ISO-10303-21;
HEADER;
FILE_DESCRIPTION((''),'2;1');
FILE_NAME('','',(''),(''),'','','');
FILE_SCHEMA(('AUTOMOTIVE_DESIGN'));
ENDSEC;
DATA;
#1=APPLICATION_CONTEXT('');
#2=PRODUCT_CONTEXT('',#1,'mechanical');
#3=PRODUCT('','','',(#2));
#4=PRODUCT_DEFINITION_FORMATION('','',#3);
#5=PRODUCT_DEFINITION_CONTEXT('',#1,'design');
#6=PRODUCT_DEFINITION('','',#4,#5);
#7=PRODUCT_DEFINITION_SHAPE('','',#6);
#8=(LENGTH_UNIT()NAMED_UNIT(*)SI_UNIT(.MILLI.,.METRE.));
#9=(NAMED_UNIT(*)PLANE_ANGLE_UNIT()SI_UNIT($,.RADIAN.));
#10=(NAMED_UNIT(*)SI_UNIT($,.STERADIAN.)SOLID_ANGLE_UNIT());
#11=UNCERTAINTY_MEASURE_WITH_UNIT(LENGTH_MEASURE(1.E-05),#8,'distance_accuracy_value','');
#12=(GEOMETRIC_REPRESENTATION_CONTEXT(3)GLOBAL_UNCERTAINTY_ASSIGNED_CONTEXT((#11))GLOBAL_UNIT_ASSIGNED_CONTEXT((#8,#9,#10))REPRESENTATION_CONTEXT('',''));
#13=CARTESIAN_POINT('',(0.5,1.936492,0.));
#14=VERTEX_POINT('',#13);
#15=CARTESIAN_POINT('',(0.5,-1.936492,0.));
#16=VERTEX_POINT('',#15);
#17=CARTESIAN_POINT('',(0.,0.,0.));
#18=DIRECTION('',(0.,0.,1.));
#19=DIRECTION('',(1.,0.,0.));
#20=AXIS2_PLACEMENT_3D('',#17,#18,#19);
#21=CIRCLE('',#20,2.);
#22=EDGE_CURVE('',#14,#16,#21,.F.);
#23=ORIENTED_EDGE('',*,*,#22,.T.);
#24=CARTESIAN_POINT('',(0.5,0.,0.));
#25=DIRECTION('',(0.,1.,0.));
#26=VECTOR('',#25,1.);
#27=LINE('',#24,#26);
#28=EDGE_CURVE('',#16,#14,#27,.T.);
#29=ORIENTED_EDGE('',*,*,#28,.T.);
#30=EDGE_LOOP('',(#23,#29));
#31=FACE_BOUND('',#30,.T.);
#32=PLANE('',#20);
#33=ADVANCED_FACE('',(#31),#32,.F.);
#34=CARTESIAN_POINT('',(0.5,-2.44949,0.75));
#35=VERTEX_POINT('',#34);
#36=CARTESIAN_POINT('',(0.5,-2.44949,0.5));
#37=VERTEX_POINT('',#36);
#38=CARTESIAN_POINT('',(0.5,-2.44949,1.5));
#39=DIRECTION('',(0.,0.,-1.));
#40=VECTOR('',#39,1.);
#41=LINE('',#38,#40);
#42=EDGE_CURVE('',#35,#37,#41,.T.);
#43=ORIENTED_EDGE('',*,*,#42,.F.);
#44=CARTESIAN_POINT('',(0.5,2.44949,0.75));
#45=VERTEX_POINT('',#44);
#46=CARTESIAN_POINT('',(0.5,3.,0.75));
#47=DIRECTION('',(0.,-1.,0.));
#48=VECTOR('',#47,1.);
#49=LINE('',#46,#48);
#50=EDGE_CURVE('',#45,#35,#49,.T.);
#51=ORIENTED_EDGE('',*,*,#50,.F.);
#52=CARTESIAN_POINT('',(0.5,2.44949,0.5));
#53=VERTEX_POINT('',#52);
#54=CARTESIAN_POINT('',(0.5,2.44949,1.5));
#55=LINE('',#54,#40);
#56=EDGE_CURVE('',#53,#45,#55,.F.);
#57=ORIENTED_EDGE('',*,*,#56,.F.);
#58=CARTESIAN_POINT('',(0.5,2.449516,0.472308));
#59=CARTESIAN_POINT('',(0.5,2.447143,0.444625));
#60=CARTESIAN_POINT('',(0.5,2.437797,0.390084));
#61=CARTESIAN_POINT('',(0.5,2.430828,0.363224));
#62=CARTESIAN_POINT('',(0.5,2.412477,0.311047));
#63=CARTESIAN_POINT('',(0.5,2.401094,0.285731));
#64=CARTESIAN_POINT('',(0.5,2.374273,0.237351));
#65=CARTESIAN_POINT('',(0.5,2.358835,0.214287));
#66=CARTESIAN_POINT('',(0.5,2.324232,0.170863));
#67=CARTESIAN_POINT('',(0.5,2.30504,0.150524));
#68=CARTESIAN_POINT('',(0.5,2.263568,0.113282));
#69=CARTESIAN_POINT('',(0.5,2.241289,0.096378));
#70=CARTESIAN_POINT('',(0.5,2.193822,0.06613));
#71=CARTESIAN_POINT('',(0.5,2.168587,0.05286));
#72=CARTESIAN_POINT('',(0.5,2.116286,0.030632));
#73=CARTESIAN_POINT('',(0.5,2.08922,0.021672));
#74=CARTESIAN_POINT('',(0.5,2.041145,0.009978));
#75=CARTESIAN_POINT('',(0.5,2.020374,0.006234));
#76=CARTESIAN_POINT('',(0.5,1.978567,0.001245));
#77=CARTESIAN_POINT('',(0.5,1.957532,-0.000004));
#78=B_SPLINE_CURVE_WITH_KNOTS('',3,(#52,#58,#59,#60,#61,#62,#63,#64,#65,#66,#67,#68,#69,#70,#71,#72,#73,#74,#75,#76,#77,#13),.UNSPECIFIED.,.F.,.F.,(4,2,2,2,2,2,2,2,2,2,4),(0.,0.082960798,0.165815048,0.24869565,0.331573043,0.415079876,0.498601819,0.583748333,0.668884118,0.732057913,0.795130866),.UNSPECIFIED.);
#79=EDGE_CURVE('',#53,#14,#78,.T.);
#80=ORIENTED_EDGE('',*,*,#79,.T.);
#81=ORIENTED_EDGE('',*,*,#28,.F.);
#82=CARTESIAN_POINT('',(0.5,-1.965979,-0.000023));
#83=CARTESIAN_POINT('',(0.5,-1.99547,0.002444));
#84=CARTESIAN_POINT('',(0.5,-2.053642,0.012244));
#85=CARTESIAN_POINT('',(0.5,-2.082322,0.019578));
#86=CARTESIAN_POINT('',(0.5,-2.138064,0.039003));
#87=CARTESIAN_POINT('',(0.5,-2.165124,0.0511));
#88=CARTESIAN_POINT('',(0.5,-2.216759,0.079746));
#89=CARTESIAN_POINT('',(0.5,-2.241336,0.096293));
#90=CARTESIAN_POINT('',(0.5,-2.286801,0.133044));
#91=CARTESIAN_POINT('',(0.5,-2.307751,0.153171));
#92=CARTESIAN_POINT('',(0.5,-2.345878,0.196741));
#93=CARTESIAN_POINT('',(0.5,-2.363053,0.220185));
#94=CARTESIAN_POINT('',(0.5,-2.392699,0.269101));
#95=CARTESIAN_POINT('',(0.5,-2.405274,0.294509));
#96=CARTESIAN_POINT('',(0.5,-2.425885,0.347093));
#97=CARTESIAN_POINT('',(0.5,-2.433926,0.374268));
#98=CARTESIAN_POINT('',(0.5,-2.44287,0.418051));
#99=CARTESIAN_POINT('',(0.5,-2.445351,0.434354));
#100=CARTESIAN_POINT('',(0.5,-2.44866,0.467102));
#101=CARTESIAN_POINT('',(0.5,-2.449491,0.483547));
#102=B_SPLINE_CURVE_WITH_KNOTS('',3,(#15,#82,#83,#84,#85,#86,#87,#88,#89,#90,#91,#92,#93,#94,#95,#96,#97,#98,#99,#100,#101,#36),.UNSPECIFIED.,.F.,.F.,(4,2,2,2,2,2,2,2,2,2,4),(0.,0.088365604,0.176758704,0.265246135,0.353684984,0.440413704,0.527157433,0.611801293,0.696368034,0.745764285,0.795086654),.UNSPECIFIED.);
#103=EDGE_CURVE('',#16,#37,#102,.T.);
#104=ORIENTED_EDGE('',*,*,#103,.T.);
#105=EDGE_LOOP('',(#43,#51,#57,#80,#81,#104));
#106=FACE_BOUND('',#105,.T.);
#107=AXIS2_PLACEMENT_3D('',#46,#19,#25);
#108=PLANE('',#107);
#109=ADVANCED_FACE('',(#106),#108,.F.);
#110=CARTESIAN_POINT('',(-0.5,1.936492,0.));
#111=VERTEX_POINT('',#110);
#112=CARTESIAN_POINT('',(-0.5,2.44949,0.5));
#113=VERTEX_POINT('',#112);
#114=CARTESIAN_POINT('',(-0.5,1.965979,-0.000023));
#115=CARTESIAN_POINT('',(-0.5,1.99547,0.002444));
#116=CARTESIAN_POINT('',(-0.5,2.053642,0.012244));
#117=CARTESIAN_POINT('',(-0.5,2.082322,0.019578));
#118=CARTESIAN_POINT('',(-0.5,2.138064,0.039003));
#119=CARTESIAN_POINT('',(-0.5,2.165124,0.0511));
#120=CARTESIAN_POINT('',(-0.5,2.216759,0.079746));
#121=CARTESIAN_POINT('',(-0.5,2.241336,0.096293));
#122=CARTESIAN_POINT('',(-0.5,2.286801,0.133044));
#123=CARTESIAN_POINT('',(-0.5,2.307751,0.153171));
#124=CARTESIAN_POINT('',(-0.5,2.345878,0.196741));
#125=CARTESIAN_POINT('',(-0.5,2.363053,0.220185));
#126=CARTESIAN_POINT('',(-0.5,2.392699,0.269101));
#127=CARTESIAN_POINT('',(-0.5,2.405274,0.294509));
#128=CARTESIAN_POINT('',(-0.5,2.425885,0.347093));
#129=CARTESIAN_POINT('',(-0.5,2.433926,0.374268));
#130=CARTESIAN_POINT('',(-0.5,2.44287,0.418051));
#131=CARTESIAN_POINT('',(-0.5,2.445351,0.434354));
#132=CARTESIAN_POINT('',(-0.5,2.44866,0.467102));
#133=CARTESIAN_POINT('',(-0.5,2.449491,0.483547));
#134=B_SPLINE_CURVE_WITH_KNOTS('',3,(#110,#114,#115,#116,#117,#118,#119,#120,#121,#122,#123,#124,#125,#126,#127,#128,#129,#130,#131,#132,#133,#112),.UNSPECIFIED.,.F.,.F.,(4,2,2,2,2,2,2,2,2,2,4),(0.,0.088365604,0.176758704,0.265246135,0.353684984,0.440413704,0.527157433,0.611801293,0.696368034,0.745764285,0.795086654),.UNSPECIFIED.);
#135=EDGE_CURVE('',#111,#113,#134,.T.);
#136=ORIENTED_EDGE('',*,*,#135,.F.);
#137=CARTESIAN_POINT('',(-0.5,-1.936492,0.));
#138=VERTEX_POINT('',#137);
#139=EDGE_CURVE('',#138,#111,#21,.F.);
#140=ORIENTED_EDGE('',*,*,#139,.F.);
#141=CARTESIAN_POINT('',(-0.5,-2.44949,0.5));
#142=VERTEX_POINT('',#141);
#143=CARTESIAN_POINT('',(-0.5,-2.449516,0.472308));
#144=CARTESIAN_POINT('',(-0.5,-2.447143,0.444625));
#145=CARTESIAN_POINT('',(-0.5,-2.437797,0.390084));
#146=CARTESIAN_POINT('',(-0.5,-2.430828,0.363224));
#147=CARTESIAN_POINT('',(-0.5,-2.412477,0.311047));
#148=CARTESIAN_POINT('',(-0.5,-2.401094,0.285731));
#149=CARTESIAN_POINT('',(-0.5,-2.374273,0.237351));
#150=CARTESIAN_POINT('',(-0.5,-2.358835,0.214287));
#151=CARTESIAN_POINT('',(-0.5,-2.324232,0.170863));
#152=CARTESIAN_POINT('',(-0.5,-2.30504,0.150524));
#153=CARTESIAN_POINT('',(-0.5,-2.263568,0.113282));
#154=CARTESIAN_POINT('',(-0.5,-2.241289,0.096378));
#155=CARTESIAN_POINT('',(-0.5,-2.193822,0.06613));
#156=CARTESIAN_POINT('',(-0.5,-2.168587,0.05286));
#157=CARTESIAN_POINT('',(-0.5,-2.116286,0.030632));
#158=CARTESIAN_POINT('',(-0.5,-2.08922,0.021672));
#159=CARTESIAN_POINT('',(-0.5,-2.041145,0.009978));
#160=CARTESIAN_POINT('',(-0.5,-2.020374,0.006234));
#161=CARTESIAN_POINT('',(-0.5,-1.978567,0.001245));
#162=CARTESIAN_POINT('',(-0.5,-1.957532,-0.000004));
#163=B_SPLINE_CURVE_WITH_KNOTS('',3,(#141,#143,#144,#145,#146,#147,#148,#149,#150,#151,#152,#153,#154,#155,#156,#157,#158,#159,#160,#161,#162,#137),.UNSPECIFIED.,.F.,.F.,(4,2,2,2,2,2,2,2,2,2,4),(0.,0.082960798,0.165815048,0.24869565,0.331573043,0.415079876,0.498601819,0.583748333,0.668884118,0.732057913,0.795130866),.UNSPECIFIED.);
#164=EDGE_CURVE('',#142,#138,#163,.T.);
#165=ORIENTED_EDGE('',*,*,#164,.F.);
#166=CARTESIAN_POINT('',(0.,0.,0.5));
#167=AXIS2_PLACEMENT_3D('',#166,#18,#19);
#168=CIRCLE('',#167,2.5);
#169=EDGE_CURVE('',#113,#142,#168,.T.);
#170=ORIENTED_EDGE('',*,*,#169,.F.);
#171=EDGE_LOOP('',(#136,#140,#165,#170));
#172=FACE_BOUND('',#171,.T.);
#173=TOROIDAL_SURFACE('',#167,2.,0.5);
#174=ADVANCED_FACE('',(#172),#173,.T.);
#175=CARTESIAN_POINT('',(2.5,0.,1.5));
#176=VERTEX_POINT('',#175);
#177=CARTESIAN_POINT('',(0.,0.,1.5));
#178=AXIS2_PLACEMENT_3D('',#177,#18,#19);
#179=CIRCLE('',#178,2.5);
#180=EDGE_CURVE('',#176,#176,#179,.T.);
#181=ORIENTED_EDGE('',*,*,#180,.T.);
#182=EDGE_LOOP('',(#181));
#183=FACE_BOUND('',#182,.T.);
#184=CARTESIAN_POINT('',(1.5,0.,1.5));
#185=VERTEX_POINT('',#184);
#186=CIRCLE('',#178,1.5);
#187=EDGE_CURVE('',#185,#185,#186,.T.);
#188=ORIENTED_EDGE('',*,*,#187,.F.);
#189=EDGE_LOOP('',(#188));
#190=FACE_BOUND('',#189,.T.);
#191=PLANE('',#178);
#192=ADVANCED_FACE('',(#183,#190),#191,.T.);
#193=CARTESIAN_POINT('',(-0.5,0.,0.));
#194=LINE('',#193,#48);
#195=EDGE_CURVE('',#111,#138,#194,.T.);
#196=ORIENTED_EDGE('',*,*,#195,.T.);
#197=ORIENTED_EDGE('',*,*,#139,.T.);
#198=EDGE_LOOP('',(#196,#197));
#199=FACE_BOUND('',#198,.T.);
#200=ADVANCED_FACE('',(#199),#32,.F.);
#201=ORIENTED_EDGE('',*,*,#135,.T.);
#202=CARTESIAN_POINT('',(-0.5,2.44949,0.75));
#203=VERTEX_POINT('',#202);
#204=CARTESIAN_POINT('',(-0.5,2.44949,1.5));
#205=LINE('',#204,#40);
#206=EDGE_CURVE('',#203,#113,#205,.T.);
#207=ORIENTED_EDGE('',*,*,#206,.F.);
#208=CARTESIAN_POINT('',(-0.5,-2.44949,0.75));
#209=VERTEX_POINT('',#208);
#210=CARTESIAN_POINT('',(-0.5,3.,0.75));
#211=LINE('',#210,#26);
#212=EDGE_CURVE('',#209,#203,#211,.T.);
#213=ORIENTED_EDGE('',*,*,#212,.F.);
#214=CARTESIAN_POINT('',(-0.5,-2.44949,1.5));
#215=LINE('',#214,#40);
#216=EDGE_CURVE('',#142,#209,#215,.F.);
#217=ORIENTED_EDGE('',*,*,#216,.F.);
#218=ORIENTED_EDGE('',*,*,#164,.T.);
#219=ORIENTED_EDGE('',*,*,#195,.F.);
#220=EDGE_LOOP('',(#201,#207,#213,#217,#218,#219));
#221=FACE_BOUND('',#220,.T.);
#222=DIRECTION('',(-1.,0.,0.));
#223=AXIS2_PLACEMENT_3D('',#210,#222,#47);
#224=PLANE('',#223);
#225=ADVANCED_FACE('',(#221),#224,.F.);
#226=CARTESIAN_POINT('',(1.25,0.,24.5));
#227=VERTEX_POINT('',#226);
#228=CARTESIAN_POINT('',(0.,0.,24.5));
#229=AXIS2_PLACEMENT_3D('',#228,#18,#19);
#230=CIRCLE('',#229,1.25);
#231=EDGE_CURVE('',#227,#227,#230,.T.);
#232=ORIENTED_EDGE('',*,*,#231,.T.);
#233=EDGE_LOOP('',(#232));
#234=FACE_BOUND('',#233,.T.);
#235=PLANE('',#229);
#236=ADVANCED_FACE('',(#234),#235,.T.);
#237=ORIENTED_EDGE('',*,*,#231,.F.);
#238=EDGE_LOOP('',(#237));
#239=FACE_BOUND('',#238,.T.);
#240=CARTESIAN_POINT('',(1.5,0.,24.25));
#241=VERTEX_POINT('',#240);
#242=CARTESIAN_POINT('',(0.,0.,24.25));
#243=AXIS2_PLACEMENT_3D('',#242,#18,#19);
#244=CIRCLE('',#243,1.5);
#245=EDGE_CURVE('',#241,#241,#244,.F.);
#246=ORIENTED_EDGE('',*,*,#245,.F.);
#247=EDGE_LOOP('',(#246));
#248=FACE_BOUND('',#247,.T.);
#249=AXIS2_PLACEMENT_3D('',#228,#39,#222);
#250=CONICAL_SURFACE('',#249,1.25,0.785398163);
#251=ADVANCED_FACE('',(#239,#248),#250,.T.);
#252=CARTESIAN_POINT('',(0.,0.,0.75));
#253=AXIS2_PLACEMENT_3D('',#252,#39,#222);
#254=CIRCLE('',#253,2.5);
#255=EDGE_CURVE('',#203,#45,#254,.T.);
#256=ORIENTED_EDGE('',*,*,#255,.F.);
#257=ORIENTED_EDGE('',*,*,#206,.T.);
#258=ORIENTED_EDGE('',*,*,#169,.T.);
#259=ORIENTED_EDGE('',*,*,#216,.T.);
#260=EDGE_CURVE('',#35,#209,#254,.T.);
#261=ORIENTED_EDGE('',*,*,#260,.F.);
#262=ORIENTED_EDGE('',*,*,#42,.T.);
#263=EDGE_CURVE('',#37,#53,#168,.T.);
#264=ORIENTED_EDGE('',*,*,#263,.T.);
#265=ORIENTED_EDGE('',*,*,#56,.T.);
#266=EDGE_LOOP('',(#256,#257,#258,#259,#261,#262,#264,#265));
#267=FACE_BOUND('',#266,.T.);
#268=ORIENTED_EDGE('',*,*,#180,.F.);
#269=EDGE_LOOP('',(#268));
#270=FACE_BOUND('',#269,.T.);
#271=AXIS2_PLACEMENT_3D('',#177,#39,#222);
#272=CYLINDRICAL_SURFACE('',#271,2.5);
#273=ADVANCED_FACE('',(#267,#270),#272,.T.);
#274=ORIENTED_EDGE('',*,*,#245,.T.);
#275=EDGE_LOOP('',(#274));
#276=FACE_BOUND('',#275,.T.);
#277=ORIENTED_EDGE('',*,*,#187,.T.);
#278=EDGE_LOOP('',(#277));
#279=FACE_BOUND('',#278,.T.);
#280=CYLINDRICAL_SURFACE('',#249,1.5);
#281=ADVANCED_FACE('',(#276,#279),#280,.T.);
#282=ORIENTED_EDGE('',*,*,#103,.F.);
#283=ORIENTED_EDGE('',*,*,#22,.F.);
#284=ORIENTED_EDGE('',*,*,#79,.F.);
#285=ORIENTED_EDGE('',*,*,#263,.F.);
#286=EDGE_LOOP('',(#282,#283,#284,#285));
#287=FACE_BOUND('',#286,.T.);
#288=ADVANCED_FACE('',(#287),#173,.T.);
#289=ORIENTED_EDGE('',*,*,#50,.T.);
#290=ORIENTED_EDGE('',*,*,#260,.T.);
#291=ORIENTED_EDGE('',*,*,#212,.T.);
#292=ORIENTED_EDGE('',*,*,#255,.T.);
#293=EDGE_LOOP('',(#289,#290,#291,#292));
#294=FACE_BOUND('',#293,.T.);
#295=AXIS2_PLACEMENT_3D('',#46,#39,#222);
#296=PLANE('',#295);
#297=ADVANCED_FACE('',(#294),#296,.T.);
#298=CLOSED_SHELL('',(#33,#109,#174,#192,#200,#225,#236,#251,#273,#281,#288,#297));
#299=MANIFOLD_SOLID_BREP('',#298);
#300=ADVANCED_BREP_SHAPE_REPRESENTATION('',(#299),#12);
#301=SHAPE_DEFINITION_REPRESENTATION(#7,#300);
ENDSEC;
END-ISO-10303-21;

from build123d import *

# Parameters (mm, degrees)
ESQUISSE1_R             = 2.5
BASE_EXTRUSION_DEPTH    = 1.5
ESQUISSE2_R             = 1.5
BOSS_EXTRU_1_DEPTH      = 23
CHANFREIN1_SIZE         = 0.25
ESQUISSE3_W             = 1
ESQUISSE3_H             = 8
ENL_V_MAT_EXTRU_1_DEPTH = 0.75
CONG_1_R                = 0.5


with BuildPart() as part:
    # Esquisse1 → Base-Extrusion (new body)
    with BuildSketch(Plane.XY):
        Circle(ESQUISSE1_R)
    extrude(amount=BASE_EXTRUSION_DEPTH)

    # Esquisse2 → Boss.-Extru.1 (add)
    with BuildSketch(Plane.XY.offset(1.5)):
        Circle(ESQUISSE2_R)
    extrude(amount=BOSS_EXTRU_1_DEPTH)

    # Chanfrein1
    chanfrein1_edges = [part.edges().sort_by_distance(p)[0] for p in [
        (-1.5, 0, 24.5),
    ]]
    chamfer(chanfrein1_edges, length=CHANFREIN1_SIZE)

    # Esquisse3 → Enlèv. mat.-Extru.1 (cut)
    with BuildSketch(Plane(origin=(0, 0, 0), x_dir=(-1, 0, 0), z_dir=(0, 0, -1))):
        with Locations((0, -1)):
            Rectangle(ESQUISSE3_W, ESQUISSE3_H)
    extrude(amount=-ENL_V_MAT_EXTRU_1_DEPTH, mode=Mode.SUBTRACT)

    # Congé1
    cong_1_edges = [part.edges().sort_by_distance(p)[0] for p in [
        (1.936491673, 1.58113883, 0),
        (-2.5, 0, 0),
        (1.936491673, -1.58113883, 0),
    ]]
    fillet(cong_1_edges, radius=CONG_1_R)


solid = part.part
